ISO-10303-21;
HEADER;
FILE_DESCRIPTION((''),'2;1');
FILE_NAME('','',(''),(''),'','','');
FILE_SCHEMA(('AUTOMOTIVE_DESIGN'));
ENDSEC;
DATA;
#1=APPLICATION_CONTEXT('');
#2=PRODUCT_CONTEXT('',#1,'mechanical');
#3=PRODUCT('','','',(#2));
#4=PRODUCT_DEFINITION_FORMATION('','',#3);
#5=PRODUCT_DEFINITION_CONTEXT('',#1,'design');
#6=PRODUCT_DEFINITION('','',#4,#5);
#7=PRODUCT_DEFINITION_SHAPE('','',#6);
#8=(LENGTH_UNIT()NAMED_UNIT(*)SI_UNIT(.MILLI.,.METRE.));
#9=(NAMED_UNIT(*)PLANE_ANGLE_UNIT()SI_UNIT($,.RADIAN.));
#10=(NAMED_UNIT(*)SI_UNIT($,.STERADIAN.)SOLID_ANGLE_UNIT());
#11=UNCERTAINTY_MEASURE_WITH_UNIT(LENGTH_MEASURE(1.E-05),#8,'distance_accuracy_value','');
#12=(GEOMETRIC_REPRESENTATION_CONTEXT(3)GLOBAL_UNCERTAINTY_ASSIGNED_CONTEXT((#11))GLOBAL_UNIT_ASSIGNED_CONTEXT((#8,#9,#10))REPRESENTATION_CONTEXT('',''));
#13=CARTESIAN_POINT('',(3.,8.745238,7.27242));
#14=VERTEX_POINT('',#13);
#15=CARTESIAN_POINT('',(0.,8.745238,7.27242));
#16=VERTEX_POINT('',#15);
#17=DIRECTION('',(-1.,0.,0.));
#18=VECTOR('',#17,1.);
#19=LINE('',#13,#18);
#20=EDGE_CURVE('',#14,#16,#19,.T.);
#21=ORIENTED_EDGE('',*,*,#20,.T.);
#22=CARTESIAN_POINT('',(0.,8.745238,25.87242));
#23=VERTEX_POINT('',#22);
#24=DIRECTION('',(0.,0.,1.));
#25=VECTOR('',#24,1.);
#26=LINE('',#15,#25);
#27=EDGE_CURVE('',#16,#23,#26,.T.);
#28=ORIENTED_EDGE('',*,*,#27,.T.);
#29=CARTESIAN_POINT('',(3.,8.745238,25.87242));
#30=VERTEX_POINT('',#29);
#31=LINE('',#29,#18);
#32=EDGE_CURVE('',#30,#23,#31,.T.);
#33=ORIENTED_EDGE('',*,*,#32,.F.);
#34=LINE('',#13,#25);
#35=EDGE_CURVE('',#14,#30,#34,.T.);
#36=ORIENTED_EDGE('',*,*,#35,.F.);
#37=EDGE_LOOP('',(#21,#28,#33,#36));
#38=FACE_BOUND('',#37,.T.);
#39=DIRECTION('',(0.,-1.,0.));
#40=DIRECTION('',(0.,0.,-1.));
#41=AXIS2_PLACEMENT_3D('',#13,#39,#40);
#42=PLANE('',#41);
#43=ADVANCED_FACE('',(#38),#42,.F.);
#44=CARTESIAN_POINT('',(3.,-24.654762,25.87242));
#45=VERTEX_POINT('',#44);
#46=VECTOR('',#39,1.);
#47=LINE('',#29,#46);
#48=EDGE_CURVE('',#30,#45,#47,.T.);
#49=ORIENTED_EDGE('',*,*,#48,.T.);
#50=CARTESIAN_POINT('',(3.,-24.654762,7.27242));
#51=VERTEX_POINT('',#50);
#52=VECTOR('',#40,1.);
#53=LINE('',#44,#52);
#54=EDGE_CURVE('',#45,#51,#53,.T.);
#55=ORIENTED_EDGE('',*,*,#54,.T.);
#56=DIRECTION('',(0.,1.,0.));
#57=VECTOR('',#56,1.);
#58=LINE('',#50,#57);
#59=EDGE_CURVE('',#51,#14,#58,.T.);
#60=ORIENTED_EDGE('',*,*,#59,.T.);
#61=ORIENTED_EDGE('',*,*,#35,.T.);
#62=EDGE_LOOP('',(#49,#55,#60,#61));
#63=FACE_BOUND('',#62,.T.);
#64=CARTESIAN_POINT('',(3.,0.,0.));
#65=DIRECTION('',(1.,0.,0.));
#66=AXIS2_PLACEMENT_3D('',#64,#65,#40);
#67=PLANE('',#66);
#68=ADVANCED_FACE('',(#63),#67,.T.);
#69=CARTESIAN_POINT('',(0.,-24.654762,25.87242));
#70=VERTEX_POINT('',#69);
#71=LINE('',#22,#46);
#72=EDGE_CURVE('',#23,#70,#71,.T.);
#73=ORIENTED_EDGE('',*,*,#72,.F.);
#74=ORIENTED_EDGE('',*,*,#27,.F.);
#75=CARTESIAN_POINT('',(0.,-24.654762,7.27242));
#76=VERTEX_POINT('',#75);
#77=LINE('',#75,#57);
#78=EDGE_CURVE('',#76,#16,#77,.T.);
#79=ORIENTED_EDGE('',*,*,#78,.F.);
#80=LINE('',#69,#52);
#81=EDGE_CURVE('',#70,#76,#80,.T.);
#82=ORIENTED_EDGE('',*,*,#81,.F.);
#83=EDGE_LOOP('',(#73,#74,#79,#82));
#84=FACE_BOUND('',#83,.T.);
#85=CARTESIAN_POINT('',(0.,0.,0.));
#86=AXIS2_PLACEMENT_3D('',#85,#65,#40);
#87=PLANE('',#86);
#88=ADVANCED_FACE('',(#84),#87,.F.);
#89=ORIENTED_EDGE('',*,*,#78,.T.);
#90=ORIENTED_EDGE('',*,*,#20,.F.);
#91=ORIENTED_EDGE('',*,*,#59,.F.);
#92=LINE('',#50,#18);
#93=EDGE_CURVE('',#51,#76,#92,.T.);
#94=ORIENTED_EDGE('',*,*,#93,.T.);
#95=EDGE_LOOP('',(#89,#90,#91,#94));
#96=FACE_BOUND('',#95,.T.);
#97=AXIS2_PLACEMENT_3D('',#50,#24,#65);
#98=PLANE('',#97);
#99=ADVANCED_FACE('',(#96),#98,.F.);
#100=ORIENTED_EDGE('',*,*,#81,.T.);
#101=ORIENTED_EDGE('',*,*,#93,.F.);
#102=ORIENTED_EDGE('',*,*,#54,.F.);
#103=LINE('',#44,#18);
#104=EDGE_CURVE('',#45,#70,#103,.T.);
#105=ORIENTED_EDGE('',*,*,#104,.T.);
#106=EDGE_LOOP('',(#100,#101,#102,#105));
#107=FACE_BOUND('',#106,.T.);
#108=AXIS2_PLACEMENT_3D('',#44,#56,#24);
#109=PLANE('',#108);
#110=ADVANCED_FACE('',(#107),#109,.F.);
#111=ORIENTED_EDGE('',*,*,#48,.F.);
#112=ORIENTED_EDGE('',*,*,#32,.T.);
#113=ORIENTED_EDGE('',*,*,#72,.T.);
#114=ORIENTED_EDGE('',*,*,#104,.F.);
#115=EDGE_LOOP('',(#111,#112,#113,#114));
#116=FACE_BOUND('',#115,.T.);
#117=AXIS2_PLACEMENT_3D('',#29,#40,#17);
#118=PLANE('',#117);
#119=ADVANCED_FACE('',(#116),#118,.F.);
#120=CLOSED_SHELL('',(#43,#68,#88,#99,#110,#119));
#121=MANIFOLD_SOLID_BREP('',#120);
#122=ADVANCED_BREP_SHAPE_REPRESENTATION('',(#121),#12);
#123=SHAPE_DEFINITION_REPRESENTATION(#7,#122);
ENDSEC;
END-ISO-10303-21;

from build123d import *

# Parameters (mm, degrees)
CROQUIS1_W              = 18.6
CROQUIS1_H              = 33.4
SALIENTE_EXTRUIR1_DEPTH = 3


with BuildPart() as part:
    # Croquis1 → Saliente-Extruir1 (new body)
    with BuildSketch(Plane(origin=(0, 0, 0), x_dir=(0, 0, -1), z_dir=(1, 0, 0))):
        with Locations((-16.572420234, -7.954761712)):
            Rectangle(CROQUIS1_W, CROQUIS1_H)
    extrude(amount=SALIENTE_EXTRUIR1_DEPTH)


solid = part.part
